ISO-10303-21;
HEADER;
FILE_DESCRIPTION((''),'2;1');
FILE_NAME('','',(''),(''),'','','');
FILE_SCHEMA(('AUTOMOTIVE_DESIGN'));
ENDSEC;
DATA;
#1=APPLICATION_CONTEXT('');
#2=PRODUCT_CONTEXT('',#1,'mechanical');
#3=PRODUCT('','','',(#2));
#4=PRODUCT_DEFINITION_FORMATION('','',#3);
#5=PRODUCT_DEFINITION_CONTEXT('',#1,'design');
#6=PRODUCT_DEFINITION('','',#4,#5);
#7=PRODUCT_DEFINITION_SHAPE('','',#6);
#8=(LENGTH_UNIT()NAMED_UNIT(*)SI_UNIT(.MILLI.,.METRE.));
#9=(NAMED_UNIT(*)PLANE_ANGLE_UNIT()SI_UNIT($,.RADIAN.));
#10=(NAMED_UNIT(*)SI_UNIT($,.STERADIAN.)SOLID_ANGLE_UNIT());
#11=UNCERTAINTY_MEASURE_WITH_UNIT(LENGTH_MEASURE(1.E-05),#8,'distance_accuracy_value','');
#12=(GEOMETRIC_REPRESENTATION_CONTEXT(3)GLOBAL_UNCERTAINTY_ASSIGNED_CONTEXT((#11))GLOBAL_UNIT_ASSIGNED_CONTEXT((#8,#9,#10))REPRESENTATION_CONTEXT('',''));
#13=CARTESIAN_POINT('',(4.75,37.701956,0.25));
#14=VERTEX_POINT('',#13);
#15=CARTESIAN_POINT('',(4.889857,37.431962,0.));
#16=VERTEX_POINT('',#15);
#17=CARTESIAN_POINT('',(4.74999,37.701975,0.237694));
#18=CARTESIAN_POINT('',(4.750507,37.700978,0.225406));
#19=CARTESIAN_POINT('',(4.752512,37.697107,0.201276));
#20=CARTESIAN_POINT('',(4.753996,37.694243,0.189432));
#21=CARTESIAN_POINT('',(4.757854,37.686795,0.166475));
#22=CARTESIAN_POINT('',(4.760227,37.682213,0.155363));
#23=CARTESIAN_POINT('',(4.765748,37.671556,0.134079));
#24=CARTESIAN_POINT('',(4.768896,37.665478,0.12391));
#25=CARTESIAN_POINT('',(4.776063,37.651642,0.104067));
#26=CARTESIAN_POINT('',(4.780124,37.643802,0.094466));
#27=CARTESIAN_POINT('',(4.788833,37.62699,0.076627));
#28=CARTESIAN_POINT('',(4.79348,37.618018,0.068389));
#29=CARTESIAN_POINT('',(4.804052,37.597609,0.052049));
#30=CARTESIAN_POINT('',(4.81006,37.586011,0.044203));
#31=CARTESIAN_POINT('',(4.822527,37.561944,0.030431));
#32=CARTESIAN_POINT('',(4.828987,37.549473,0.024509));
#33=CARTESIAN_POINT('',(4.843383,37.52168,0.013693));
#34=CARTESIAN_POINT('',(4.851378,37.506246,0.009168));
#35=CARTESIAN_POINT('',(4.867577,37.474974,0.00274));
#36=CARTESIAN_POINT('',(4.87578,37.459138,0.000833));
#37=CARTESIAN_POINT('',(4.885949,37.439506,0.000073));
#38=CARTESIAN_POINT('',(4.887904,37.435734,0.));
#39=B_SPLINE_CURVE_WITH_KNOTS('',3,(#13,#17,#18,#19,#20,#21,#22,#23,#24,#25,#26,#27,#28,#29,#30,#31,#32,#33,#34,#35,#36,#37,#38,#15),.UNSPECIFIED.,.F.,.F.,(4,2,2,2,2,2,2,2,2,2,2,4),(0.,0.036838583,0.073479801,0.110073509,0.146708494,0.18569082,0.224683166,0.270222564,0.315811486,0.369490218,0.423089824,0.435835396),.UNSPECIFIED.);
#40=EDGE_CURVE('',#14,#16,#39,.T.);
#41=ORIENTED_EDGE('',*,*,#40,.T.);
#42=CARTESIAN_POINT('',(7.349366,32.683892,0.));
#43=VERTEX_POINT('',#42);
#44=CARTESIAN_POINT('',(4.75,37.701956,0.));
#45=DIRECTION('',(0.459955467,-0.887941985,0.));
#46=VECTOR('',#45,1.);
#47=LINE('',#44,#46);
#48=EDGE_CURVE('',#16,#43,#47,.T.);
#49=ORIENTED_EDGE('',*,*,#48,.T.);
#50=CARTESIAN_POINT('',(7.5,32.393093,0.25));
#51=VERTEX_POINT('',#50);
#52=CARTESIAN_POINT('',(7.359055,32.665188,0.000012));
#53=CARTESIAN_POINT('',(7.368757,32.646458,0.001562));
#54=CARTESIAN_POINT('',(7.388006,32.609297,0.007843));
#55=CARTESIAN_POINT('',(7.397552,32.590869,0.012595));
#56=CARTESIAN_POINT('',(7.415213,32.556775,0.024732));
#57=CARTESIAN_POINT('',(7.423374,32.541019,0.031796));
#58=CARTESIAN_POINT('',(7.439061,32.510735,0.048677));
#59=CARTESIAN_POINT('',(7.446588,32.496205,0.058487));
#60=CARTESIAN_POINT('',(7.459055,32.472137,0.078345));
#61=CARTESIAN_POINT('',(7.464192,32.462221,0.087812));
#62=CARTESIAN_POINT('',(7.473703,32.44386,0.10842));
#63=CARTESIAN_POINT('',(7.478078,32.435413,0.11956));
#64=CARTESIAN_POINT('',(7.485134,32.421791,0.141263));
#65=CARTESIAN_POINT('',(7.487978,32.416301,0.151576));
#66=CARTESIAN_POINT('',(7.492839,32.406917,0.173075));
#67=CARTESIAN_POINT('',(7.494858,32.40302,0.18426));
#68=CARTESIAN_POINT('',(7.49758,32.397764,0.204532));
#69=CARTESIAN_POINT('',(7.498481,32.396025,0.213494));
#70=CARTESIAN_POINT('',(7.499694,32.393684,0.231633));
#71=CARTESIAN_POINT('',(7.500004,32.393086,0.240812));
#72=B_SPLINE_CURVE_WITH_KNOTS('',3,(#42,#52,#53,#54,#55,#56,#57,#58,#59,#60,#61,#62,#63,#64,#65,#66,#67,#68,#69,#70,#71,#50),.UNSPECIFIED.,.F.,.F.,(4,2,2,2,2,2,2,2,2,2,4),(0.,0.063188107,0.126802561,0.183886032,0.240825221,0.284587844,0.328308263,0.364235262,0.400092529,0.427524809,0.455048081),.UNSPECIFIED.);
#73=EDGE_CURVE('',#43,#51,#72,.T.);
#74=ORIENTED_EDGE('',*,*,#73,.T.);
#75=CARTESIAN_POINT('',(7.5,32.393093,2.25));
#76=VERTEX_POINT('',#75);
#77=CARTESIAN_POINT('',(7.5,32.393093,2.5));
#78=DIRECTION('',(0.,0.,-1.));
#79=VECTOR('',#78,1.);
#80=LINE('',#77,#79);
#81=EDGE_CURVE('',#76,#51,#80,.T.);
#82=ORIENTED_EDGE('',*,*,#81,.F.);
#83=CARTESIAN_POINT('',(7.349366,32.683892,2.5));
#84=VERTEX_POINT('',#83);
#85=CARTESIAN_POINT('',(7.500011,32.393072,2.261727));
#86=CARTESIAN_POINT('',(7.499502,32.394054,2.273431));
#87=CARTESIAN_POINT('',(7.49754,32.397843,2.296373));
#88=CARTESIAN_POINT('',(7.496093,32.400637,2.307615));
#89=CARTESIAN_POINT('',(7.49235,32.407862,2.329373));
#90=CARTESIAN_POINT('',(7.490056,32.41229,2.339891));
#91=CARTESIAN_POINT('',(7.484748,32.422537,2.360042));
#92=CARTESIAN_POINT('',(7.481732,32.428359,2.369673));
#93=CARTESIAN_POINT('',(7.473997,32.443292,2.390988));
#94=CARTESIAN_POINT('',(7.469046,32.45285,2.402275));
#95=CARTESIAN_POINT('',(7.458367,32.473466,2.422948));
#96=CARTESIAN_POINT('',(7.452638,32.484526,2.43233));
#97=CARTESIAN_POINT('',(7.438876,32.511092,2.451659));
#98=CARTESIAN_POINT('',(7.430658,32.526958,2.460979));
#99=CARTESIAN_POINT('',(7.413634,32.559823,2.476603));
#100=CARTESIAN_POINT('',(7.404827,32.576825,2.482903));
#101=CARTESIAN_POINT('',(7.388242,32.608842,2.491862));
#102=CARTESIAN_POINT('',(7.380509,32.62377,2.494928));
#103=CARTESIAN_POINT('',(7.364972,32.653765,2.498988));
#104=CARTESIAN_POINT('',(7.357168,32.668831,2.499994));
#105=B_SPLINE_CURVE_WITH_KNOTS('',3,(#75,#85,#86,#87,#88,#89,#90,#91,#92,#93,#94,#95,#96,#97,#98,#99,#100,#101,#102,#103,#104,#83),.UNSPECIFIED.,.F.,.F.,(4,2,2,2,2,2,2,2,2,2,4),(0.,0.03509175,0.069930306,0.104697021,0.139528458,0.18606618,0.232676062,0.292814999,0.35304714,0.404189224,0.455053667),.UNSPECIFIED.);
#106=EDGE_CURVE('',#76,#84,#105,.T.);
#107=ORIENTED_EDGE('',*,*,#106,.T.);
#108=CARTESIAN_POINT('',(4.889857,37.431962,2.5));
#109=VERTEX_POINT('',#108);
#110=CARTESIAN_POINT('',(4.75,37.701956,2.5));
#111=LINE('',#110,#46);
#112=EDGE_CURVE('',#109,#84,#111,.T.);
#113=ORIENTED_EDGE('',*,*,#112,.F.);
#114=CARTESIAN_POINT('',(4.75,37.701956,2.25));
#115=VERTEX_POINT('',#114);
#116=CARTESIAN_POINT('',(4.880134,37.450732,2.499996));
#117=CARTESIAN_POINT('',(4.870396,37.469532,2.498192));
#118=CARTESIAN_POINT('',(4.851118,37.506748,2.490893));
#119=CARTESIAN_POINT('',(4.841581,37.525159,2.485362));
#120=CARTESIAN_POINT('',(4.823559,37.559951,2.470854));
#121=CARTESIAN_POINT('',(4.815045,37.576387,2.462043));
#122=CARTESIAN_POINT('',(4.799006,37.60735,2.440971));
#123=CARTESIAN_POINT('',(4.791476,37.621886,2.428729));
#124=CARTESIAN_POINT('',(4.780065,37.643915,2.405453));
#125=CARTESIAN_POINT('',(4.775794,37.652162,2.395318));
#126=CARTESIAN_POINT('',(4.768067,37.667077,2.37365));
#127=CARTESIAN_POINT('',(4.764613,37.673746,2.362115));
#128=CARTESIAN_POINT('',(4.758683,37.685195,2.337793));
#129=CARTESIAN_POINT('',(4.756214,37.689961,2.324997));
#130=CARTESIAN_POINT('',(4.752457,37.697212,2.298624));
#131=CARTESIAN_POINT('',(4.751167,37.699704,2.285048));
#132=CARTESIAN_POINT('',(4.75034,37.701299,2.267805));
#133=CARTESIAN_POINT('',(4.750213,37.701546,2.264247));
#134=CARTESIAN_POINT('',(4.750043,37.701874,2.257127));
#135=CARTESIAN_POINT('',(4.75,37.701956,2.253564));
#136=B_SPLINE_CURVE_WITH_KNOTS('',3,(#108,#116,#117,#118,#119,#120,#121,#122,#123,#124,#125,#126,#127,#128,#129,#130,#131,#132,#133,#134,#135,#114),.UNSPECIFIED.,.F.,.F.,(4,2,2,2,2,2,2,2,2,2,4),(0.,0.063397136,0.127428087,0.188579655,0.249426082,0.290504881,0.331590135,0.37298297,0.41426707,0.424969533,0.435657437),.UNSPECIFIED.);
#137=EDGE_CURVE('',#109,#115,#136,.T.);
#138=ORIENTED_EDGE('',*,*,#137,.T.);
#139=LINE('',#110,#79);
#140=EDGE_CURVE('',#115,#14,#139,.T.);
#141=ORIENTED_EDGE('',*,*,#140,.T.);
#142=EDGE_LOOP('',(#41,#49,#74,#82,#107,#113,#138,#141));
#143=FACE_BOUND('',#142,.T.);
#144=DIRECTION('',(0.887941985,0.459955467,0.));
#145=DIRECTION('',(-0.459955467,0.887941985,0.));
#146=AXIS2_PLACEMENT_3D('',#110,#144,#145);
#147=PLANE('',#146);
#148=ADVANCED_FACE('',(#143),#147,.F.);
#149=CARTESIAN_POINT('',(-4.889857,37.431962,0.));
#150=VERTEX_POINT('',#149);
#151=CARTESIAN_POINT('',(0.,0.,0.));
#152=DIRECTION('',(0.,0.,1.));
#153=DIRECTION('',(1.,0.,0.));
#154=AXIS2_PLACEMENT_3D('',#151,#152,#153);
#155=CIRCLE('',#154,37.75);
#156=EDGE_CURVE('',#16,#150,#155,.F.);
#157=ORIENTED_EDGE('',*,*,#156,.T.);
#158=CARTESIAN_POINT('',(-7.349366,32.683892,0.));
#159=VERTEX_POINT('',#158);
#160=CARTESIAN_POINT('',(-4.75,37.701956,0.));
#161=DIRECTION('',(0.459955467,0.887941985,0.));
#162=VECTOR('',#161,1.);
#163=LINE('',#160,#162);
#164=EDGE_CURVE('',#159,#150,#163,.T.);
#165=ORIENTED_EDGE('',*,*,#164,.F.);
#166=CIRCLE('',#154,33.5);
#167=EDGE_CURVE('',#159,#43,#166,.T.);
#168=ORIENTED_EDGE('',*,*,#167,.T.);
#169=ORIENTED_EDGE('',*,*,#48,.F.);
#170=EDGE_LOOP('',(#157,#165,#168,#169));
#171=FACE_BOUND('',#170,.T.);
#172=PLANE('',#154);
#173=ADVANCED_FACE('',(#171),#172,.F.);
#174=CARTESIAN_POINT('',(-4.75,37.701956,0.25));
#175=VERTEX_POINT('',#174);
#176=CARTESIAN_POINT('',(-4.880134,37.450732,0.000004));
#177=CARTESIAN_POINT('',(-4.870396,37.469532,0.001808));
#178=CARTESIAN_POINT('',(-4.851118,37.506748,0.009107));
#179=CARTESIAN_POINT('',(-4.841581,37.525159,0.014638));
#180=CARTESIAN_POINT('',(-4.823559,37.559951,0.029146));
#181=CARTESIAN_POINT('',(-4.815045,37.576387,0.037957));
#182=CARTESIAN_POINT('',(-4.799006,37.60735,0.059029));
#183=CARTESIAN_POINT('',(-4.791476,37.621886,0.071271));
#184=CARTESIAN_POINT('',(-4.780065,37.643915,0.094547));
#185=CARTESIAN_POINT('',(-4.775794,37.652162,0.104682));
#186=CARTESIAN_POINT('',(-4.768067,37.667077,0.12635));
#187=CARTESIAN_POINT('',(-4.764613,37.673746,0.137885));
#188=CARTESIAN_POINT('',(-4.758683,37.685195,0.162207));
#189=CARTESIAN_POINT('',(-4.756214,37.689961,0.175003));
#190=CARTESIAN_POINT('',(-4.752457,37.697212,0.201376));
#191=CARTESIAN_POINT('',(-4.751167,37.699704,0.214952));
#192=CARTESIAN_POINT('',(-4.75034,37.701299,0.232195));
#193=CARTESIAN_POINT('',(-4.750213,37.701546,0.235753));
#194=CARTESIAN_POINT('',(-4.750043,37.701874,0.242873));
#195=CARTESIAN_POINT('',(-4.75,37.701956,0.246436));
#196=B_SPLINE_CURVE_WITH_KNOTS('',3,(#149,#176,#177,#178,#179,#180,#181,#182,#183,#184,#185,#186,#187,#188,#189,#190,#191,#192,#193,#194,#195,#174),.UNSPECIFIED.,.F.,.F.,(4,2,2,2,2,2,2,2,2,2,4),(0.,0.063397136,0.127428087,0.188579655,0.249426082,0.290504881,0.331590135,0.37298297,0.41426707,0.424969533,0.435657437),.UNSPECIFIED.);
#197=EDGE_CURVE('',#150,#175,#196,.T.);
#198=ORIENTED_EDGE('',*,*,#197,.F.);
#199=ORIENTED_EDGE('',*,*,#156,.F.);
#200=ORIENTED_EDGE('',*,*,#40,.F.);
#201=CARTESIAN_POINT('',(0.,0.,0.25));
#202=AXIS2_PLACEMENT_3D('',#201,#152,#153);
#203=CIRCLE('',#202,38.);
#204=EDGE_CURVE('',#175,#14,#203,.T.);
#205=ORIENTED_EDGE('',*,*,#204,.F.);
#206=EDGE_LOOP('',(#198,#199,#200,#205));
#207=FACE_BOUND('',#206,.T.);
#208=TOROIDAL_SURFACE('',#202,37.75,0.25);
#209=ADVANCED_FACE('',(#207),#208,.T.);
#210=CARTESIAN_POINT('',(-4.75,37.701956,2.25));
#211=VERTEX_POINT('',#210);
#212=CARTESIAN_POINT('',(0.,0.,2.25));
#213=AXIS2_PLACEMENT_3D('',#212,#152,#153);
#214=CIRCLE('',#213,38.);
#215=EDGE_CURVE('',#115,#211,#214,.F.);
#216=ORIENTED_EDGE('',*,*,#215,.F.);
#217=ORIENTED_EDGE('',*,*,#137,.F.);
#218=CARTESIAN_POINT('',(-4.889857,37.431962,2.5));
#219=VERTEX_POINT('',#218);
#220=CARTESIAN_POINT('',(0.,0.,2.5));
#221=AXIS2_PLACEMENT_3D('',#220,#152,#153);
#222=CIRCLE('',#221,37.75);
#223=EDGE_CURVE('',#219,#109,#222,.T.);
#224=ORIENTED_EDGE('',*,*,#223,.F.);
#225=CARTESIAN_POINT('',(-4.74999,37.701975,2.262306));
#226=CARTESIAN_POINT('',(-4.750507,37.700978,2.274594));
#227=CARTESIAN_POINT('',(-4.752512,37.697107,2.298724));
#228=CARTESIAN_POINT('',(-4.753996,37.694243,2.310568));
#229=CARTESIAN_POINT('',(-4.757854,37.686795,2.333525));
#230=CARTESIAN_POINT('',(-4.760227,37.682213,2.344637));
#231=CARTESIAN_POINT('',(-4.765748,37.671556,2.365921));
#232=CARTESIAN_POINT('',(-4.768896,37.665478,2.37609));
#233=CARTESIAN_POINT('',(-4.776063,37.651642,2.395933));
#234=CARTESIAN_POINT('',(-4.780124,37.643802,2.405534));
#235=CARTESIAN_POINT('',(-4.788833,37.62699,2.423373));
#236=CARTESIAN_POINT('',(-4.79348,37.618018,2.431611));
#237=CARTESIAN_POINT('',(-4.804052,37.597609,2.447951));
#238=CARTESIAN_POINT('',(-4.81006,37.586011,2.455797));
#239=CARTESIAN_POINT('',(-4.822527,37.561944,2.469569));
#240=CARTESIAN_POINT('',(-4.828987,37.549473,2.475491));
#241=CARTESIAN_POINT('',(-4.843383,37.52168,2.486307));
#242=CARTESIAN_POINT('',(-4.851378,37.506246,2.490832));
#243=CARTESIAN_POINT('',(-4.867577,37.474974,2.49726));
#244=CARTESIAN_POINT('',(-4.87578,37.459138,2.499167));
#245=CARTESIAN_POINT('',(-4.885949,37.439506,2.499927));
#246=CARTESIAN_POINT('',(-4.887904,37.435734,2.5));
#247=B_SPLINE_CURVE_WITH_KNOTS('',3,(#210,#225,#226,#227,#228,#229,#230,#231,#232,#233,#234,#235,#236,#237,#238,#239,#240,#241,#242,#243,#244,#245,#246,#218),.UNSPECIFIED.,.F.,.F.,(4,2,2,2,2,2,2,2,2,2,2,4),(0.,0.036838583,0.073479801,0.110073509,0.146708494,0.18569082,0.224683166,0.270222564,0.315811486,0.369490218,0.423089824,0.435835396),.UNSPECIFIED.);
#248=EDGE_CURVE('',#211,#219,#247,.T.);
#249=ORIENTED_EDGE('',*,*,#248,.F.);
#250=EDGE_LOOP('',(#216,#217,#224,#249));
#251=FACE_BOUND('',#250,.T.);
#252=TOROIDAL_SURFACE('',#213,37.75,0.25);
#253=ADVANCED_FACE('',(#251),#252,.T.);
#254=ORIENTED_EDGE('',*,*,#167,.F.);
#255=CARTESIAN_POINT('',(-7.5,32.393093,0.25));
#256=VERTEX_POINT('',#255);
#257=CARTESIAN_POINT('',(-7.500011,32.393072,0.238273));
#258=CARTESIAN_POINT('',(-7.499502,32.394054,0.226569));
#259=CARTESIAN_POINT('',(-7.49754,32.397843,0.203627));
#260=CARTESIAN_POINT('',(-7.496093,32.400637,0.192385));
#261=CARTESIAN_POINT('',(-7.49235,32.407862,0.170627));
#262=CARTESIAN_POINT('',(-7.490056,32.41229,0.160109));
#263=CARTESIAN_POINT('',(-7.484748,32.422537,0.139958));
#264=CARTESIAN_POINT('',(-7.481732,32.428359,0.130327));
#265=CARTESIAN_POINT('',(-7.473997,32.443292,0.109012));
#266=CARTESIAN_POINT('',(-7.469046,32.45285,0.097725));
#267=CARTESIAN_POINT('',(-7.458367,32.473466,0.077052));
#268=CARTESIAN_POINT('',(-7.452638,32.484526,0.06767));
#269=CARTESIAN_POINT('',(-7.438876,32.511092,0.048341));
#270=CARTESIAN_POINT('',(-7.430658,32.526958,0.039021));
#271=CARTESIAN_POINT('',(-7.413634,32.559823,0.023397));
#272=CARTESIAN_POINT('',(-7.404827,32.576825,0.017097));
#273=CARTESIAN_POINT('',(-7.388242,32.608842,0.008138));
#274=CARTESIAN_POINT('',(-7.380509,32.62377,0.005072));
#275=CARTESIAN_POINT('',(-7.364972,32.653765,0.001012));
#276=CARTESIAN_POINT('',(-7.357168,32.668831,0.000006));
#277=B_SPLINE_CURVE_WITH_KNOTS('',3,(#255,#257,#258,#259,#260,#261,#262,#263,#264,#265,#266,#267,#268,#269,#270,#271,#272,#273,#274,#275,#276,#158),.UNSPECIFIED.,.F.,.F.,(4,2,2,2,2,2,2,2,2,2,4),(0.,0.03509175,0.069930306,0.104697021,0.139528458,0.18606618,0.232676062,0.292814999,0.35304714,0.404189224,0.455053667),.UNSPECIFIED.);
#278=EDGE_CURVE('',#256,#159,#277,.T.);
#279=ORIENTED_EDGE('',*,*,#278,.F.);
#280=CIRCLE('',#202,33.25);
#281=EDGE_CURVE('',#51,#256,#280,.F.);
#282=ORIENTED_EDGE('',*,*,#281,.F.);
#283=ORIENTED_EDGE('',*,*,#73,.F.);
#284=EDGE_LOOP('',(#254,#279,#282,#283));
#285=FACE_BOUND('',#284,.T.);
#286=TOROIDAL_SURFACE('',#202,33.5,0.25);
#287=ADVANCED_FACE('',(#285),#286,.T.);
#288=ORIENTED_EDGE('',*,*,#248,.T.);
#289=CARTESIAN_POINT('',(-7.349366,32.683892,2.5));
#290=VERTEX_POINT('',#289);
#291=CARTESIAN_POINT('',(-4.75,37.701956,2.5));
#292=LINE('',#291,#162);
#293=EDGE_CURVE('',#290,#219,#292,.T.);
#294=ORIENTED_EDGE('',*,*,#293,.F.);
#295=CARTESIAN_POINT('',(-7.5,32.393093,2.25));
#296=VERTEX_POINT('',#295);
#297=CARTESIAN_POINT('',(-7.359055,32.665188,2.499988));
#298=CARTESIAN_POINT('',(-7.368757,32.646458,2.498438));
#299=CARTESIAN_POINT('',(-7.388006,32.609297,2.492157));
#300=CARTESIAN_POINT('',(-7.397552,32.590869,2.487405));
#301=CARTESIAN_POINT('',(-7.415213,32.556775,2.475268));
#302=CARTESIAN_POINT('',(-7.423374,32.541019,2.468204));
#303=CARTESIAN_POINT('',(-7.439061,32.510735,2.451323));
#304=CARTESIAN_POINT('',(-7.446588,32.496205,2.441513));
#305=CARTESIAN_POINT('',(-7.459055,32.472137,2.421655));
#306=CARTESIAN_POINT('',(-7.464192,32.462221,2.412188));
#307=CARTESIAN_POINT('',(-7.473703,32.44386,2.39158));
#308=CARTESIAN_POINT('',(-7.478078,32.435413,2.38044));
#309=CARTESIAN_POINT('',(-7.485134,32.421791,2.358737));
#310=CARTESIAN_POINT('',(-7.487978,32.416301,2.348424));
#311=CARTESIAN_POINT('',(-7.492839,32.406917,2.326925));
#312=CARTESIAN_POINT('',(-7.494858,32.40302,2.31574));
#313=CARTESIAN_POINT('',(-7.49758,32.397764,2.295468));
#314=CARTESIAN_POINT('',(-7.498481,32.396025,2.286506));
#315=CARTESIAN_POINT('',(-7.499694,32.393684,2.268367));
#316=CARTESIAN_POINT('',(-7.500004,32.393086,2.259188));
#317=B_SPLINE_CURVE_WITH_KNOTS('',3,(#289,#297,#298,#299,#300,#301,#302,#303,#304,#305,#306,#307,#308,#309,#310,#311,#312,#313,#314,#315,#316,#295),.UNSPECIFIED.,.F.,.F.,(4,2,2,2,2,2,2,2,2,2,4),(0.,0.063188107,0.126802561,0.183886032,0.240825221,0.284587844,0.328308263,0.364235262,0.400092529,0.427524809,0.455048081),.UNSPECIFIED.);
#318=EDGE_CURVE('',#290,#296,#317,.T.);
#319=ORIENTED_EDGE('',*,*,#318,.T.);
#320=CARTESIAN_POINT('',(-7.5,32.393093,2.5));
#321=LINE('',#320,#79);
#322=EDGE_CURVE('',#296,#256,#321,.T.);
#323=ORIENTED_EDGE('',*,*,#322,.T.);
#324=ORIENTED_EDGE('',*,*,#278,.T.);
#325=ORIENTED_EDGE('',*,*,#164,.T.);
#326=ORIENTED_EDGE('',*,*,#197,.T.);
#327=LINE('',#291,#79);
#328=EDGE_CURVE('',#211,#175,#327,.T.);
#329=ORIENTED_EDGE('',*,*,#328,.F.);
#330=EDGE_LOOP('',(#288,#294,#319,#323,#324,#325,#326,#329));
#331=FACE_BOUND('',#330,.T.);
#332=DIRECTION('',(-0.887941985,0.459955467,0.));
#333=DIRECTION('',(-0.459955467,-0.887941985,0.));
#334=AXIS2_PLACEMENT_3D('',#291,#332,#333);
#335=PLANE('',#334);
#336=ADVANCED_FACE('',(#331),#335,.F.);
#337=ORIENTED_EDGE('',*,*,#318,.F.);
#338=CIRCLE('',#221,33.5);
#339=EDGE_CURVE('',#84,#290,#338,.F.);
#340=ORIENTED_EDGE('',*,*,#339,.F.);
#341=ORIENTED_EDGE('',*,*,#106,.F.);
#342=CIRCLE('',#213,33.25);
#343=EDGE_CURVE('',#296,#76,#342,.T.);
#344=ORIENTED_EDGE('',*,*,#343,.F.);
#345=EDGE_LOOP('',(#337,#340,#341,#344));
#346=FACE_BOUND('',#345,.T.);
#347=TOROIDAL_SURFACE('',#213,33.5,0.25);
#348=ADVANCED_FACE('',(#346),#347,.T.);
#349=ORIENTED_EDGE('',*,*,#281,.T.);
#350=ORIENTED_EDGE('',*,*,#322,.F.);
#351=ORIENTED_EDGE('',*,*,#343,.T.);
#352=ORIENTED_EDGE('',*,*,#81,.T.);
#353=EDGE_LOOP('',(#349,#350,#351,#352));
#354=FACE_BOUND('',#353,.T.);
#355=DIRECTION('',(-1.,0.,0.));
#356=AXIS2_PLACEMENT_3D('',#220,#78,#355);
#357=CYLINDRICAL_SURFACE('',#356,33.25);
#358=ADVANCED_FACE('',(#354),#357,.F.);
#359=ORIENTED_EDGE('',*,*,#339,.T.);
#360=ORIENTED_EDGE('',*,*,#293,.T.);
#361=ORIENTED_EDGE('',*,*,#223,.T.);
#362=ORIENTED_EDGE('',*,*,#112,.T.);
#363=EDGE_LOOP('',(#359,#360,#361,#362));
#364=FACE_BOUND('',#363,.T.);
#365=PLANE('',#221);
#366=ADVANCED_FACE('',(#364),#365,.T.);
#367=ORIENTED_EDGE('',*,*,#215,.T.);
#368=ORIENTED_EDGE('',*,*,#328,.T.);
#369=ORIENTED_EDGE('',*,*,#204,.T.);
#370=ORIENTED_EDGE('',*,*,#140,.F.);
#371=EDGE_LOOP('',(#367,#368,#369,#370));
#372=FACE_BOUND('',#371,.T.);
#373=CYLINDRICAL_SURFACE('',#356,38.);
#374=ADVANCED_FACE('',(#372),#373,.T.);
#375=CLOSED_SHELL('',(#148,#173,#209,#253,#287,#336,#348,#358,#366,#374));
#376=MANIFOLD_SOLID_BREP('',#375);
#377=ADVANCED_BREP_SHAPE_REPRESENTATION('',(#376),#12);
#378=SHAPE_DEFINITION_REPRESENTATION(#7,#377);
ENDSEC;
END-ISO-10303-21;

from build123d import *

# Parameters (mm, degrees)
RESSALTO_EXTRUS_O1_DEPTH = 2.5
FILETE1_R                = 0.25


with BuildPart() as part:
    # Esboço1 → Ressalto-extrusão1 (new body)
    with BuildSketch(Plane.XY):
        with BuildLine():
            Line((-4.75, 37.701956183), (-7.5, 32.3930934))
            ThreePointArc((-7.5, 32.3930934), (0, -33.25), (7.5, 32.3930934))
            Line((7.5, 32.3930934), (4.75, 37.701956183))
            ThreePointArc((4.75, 37.701956183), (0, -38), (-4.75, 37.701956183))
        make_face()
    extrude(amount=RESSALTO_EXTRUS_O1_DEPTH)

    # Filete1
    filete1_edges = [part.edges().sort_by_distance(p)[0] for p in [
        (0, -38, 2.5),
        (0, -33.25, 2.5),
        (0, -38, 0),
        (0, -33.25, 0),
    ]]
    fillet(filete1_edges, radius=FILETE1_R)


solid = part.part
